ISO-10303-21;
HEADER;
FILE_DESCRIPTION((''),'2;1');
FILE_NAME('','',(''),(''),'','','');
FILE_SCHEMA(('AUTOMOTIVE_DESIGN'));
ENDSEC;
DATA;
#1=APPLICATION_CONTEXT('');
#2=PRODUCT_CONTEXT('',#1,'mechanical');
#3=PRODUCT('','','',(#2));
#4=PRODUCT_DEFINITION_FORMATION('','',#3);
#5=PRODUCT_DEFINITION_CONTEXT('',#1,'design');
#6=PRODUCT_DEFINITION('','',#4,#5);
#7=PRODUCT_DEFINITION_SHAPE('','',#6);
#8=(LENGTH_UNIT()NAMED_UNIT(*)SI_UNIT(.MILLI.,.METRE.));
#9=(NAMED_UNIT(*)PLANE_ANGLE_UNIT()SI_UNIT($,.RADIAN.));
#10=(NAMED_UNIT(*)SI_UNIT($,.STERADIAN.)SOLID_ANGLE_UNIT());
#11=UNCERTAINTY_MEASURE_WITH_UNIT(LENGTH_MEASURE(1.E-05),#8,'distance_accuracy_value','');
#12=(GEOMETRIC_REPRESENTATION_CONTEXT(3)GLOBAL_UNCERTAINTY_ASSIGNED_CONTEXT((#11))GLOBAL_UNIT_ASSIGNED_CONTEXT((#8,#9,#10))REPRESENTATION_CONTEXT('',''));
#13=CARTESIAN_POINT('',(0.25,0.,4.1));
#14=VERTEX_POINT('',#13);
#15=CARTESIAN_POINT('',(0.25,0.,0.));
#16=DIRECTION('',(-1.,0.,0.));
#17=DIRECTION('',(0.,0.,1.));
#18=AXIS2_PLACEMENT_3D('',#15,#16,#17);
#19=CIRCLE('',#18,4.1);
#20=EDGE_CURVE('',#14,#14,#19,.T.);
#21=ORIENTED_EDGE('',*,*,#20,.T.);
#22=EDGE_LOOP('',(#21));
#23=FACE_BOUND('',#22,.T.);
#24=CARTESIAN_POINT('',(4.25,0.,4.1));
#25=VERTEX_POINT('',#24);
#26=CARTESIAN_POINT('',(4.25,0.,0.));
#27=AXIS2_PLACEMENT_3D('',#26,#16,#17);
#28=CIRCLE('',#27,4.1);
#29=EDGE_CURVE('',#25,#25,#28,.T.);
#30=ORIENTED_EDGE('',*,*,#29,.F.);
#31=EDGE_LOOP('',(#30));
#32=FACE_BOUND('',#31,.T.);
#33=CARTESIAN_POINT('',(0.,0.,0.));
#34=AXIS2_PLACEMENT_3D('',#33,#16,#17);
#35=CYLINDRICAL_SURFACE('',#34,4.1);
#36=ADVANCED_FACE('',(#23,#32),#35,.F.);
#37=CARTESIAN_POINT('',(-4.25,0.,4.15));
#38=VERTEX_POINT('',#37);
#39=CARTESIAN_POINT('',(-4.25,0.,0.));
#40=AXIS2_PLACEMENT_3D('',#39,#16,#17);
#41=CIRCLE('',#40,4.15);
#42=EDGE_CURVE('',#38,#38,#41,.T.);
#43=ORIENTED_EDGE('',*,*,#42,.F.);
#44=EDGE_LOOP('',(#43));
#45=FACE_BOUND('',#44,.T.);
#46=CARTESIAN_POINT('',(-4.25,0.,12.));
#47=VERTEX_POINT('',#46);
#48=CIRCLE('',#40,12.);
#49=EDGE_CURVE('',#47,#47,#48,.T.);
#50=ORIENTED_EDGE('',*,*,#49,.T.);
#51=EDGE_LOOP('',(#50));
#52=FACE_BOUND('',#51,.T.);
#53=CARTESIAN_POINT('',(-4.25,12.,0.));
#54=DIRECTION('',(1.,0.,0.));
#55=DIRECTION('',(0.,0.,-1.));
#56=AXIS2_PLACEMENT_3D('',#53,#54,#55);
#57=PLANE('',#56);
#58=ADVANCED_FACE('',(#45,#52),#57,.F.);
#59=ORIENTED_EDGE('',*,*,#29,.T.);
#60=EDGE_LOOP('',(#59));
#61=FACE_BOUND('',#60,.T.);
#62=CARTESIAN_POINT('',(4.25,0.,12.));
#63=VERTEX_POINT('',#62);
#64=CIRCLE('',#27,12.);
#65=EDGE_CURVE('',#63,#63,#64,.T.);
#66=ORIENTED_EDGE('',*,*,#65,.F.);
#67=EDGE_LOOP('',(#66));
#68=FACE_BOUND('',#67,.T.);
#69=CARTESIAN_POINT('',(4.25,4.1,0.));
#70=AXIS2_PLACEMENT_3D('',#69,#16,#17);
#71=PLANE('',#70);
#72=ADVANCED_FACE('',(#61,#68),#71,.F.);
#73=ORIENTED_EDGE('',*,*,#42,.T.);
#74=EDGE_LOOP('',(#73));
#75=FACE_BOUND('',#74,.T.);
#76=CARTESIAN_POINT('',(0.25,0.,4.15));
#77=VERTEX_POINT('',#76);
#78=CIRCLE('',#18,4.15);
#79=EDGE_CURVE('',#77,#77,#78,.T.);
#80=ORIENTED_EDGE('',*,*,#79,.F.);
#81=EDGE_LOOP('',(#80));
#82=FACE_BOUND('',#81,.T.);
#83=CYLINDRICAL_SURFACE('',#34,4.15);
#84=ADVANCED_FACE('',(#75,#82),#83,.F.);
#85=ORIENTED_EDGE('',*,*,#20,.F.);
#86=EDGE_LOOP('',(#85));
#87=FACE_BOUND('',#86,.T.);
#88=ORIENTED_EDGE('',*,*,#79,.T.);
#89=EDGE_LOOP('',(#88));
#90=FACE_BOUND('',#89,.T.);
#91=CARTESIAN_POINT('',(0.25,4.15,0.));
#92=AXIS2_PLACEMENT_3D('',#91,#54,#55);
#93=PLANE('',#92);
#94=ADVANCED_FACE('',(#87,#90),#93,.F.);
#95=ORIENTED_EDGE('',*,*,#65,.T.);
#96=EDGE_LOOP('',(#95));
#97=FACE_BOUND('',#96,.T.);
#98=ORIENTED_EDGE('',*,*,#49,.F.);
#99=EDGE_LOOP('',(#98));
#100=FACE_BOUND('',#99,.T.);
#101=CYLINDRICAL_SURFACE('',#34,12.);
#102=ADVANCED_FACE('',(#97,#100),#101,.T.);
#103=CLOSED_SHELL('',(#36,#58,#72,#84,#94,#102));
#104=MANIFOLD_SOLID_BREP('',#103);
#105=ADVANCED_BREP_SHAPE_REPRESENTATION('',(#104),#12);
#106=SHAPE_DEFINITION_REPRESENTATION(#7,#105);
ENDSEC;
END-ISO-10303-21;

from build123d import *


with BuildPart() as part:
    # Sketch1 → Revolve1 (revolve)
    with BuildSketch(Plane.XY, mode=Mode.PRIVATE) as revolve1_sk:
        Polygon((-4.25, 12), (4.25, 12), (4.25, 4.1), (0.25, 4.1), (0.25, 4.15), (-4.25, 4.15), align=None)
    revolve(revolve1_sk.sketch.rotate(Axis((0, 0, 0), (1, 0, 0)), 90), axis=Axis((0, 0, 0), (1, 0, 0)))


solid = part.part
